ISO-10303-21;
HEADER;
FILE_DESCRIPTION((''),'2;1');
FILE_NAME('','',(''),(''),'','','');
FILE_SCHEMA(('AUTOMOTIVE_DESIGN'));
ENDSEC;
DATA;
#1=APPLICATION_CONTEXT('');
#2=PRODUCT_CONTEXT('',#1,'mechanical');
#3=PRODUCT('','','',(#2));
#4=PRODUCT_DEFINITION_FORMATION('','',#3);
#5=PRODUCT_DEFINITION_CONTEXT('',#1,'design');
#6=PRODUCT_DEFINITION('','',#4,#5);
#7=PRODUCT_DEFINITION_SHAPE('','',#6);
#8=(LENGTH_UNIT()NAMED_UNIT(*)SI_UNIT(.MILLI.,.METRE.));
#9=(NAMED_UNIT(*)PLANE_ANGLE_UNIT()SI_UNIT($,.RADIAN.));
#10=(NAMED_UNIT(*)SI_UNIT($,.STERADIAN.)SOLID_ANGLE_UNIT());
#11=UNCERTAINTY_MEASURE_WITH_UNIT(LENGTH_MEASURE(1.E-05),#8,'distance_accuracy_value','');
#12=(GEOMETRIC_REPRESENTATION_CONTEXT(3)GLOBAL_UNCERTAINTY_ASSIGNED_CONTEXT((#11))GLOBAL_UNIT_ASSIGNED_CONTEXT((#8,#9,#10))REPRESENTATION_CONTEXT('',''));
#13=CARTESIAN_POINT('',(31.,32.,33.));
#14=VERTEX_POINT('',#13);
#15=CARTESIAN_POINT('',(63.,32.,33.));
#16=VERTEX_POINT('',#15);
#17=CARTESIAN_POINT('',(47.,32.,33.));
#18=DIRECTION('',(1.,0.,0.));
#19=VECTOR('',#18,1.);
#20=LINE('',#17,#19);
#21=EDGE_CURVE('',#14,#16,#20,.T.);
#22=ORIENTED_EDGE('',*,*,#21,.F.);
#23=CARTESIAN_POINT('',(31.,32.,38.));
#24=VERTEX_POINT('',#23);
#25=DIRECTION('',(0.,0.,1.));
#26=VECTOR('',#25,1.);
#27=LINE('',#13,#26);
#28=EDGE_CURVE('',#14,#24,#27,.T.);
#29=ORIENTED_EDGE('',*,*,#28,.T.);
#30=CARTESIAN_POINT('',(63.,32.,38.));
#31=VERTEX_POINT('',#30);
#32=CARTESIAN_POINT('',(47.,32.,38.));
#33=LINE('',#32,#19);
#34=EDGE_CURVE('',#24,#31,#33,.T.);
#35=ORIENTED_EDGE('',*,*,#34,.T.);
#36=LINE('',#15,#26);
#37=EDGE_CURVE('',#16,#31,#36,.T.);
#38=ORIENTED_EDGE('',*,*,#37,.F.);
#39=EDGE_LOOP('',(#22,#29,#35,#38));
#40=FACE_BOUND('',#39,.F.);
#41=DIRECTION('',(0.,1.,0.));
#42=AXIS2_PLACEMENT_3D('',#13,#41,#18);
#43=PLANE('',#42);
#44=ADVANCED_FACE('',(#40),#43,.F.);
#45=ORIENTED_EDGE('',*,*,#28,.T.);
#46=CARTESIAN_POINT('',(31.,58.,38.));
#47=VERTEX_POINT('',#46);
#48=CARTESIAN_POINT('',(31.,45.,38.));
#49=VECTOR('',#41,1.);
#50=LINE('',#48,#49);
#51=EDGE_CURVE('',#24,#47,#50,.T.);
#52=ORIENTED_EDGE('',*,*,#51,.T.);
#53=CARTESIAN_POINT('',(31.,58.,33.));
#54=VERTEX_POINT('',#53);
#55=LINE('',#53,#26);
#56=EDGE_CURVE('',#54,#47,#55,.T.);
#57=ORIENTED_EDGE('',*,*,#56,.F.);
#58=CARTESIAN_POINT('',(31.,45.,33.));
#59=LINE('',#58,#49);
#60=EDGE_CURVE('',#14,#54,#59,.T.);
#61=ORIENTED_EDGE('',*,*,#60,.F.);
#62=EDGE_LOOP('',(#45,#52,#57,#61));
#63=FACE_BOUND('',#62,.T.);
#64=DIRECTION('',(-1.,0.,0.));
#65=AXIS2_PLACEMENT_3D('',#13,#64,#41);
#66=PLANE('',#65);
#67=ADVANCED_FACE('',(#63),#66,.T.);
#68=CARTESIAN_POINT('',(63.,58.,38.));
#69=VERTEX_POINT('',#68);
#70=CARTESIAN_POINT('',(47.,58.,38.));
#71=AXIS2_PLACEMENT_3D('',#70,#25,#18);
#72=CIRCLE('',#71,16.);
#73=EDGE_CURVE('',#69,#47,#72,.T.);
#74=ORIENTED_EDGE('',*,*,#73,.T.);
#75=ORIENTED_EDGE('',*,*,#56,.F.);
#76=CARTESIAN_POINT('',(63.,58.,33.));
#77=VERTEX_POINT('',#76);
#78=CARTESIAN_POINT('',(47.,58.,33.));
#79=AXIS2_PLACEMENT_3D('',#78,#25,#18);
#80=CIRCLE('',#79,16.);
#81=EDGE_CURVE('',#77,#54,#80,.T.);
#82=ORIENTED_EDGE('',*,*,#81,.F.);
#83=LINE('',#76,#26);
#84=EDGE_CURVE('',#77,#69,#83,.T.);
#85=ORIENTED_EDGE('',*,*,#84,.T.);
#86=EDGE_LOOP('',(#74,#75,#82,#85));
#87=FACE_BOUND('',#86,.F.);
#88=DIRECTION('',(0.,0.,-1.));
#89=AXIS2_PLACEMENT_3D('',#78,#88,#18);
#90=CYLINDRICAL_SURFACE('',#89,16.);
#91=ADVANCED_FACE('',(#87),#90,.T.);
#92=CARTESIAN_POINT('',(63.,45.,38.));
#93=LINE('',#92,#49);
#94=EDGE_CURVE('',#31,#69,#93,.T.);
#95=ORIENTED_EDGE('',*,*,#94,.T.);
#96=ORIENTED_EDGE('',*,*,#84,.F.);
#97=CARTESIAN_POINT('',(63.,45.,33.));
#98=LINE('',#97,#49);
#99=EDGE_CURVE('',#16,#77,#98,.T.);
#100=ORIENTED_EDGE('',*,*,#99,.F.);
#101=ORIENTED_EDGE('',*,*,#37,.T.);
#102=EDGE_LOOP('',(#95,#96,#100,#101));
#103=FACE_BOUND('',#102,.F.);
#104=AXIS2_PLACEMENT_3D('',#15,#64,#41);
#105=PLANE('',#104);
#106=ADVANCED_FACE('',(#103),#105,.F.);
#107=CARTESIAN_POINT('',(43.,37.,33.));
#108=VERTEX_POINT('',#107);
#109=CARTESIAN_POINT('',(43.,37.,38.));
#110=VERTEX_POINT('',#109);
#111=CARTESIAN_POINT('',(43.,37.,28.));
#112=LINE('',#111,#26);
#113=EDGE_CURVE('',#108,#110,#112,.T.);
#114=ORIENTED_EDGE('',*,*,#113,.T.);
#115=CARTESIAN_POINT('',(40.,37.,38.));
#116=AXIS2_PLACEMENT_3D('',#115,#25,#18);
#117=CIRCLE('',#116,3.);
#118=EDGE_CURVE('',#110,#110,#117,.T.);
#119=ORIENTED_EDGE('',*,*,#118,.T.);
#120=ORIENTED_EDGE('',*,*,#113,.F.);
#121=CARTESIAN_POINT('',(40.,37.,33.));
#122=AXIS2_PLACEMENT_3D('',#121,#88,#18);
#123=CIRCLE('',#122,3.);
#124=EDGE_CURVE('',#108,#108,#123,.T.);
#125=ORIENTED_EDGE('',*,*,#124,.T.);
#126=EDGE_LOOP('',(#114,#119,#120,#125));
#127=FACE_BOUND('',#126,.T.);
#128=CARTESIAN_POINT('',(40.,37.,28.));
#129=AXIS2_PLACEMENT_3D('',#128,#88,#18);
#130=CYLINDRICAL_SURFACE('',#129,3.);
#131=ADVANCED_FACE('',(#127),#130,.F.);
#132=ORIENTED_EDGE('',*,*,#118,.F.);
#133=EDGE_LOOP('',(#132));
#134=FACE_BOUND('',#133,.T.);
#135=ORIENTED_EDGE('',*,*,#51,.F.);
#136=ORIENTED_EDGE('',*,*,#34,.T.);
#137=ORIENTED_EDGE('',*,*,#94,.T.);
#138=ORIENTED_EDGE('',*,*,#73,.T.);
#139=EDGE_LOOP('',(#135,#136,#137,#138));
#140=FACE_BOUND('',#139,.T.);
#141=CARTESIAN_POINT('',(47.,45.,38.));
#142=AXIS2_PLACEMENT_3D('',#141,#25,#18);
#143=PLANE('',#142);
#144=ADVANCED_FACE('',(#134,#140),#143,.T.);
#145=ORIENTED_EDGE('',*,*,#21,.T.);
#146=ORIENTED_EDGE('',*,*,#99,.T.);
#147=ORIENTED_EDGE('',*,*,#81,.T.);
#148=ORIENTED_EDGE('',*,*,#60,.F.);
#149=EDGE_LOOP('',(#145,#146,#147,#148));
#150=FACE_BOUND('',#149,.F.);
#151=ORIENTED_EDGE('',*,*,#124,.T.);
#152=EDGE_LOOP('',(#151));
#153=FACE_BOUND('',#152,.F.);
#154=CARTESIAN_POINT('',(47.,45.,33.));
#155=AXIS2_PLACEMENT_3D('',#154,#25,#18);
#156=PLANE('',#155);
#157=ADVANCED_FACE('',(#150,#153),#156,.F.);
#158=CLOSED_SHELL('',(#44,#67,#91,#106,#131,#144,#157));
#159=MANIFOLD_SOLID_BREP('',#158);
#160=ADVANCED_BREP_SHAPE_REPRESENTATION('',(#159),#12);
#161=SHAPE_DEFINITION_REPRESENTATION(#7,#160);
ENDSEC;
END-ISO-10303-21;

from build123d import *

# Parameters (mm, degrees)
CYLINDER009_R     = 3
CYLINDER009_DEPTH = 10
BOX003_W          = 32
BOX003_H          = 26
BOX003_DEPTH      = 5
CYLINDER008_R     = 16
CYLINDER008_DEPTH = 5


with BuildPart() as cilindro002:
    # Cylinder009 → Cylinder009 (new body)
    with BuildSketch(Plane(origin=(40, 37, 28), x_dir=(1, 0, 0), z_dir=(0, 0, 1))):
        Circle(CYLINDER009_R)
    extrude(amount=CYLINDER009_DEPTH)


with BuildPart() as cubo002:
    # Box003 → Box003 (new body)
    with BuildSketch(Plane(origin=(3, -8, 30), x_dir=(1, 0, 0), z_dir=(0, 0, 1))):
        with Locations((16, 13)):
            Rectangle(BOX003_W, BOX003_H)
    extrude(amount=BOX003_DEPTH)


with BuildPart() as tapa:
    # Cylinder008 → Cylinder008 (new body)
    with BuildSketch(Plane(origin=(19, 18, 30), x_dir=(1, 0, 0), z_dir=(0, 0, 1))):
        Circle(CYLINDER008_R)
    extrude(amount=CYLINDER008_DEPTH)

    # Fusion003: union Cubo002
    add(cubo002.part)


with BuildPart() as tapa_1:
    # Fusion003 placement: moved
    add(tapa.part.moved(Location((28, 40, 3))))

    # Cut010: cut Cilindro002
    add(cilindro002.part, mode=Mode.SUBTRACT)


solid = tapa_1.part
